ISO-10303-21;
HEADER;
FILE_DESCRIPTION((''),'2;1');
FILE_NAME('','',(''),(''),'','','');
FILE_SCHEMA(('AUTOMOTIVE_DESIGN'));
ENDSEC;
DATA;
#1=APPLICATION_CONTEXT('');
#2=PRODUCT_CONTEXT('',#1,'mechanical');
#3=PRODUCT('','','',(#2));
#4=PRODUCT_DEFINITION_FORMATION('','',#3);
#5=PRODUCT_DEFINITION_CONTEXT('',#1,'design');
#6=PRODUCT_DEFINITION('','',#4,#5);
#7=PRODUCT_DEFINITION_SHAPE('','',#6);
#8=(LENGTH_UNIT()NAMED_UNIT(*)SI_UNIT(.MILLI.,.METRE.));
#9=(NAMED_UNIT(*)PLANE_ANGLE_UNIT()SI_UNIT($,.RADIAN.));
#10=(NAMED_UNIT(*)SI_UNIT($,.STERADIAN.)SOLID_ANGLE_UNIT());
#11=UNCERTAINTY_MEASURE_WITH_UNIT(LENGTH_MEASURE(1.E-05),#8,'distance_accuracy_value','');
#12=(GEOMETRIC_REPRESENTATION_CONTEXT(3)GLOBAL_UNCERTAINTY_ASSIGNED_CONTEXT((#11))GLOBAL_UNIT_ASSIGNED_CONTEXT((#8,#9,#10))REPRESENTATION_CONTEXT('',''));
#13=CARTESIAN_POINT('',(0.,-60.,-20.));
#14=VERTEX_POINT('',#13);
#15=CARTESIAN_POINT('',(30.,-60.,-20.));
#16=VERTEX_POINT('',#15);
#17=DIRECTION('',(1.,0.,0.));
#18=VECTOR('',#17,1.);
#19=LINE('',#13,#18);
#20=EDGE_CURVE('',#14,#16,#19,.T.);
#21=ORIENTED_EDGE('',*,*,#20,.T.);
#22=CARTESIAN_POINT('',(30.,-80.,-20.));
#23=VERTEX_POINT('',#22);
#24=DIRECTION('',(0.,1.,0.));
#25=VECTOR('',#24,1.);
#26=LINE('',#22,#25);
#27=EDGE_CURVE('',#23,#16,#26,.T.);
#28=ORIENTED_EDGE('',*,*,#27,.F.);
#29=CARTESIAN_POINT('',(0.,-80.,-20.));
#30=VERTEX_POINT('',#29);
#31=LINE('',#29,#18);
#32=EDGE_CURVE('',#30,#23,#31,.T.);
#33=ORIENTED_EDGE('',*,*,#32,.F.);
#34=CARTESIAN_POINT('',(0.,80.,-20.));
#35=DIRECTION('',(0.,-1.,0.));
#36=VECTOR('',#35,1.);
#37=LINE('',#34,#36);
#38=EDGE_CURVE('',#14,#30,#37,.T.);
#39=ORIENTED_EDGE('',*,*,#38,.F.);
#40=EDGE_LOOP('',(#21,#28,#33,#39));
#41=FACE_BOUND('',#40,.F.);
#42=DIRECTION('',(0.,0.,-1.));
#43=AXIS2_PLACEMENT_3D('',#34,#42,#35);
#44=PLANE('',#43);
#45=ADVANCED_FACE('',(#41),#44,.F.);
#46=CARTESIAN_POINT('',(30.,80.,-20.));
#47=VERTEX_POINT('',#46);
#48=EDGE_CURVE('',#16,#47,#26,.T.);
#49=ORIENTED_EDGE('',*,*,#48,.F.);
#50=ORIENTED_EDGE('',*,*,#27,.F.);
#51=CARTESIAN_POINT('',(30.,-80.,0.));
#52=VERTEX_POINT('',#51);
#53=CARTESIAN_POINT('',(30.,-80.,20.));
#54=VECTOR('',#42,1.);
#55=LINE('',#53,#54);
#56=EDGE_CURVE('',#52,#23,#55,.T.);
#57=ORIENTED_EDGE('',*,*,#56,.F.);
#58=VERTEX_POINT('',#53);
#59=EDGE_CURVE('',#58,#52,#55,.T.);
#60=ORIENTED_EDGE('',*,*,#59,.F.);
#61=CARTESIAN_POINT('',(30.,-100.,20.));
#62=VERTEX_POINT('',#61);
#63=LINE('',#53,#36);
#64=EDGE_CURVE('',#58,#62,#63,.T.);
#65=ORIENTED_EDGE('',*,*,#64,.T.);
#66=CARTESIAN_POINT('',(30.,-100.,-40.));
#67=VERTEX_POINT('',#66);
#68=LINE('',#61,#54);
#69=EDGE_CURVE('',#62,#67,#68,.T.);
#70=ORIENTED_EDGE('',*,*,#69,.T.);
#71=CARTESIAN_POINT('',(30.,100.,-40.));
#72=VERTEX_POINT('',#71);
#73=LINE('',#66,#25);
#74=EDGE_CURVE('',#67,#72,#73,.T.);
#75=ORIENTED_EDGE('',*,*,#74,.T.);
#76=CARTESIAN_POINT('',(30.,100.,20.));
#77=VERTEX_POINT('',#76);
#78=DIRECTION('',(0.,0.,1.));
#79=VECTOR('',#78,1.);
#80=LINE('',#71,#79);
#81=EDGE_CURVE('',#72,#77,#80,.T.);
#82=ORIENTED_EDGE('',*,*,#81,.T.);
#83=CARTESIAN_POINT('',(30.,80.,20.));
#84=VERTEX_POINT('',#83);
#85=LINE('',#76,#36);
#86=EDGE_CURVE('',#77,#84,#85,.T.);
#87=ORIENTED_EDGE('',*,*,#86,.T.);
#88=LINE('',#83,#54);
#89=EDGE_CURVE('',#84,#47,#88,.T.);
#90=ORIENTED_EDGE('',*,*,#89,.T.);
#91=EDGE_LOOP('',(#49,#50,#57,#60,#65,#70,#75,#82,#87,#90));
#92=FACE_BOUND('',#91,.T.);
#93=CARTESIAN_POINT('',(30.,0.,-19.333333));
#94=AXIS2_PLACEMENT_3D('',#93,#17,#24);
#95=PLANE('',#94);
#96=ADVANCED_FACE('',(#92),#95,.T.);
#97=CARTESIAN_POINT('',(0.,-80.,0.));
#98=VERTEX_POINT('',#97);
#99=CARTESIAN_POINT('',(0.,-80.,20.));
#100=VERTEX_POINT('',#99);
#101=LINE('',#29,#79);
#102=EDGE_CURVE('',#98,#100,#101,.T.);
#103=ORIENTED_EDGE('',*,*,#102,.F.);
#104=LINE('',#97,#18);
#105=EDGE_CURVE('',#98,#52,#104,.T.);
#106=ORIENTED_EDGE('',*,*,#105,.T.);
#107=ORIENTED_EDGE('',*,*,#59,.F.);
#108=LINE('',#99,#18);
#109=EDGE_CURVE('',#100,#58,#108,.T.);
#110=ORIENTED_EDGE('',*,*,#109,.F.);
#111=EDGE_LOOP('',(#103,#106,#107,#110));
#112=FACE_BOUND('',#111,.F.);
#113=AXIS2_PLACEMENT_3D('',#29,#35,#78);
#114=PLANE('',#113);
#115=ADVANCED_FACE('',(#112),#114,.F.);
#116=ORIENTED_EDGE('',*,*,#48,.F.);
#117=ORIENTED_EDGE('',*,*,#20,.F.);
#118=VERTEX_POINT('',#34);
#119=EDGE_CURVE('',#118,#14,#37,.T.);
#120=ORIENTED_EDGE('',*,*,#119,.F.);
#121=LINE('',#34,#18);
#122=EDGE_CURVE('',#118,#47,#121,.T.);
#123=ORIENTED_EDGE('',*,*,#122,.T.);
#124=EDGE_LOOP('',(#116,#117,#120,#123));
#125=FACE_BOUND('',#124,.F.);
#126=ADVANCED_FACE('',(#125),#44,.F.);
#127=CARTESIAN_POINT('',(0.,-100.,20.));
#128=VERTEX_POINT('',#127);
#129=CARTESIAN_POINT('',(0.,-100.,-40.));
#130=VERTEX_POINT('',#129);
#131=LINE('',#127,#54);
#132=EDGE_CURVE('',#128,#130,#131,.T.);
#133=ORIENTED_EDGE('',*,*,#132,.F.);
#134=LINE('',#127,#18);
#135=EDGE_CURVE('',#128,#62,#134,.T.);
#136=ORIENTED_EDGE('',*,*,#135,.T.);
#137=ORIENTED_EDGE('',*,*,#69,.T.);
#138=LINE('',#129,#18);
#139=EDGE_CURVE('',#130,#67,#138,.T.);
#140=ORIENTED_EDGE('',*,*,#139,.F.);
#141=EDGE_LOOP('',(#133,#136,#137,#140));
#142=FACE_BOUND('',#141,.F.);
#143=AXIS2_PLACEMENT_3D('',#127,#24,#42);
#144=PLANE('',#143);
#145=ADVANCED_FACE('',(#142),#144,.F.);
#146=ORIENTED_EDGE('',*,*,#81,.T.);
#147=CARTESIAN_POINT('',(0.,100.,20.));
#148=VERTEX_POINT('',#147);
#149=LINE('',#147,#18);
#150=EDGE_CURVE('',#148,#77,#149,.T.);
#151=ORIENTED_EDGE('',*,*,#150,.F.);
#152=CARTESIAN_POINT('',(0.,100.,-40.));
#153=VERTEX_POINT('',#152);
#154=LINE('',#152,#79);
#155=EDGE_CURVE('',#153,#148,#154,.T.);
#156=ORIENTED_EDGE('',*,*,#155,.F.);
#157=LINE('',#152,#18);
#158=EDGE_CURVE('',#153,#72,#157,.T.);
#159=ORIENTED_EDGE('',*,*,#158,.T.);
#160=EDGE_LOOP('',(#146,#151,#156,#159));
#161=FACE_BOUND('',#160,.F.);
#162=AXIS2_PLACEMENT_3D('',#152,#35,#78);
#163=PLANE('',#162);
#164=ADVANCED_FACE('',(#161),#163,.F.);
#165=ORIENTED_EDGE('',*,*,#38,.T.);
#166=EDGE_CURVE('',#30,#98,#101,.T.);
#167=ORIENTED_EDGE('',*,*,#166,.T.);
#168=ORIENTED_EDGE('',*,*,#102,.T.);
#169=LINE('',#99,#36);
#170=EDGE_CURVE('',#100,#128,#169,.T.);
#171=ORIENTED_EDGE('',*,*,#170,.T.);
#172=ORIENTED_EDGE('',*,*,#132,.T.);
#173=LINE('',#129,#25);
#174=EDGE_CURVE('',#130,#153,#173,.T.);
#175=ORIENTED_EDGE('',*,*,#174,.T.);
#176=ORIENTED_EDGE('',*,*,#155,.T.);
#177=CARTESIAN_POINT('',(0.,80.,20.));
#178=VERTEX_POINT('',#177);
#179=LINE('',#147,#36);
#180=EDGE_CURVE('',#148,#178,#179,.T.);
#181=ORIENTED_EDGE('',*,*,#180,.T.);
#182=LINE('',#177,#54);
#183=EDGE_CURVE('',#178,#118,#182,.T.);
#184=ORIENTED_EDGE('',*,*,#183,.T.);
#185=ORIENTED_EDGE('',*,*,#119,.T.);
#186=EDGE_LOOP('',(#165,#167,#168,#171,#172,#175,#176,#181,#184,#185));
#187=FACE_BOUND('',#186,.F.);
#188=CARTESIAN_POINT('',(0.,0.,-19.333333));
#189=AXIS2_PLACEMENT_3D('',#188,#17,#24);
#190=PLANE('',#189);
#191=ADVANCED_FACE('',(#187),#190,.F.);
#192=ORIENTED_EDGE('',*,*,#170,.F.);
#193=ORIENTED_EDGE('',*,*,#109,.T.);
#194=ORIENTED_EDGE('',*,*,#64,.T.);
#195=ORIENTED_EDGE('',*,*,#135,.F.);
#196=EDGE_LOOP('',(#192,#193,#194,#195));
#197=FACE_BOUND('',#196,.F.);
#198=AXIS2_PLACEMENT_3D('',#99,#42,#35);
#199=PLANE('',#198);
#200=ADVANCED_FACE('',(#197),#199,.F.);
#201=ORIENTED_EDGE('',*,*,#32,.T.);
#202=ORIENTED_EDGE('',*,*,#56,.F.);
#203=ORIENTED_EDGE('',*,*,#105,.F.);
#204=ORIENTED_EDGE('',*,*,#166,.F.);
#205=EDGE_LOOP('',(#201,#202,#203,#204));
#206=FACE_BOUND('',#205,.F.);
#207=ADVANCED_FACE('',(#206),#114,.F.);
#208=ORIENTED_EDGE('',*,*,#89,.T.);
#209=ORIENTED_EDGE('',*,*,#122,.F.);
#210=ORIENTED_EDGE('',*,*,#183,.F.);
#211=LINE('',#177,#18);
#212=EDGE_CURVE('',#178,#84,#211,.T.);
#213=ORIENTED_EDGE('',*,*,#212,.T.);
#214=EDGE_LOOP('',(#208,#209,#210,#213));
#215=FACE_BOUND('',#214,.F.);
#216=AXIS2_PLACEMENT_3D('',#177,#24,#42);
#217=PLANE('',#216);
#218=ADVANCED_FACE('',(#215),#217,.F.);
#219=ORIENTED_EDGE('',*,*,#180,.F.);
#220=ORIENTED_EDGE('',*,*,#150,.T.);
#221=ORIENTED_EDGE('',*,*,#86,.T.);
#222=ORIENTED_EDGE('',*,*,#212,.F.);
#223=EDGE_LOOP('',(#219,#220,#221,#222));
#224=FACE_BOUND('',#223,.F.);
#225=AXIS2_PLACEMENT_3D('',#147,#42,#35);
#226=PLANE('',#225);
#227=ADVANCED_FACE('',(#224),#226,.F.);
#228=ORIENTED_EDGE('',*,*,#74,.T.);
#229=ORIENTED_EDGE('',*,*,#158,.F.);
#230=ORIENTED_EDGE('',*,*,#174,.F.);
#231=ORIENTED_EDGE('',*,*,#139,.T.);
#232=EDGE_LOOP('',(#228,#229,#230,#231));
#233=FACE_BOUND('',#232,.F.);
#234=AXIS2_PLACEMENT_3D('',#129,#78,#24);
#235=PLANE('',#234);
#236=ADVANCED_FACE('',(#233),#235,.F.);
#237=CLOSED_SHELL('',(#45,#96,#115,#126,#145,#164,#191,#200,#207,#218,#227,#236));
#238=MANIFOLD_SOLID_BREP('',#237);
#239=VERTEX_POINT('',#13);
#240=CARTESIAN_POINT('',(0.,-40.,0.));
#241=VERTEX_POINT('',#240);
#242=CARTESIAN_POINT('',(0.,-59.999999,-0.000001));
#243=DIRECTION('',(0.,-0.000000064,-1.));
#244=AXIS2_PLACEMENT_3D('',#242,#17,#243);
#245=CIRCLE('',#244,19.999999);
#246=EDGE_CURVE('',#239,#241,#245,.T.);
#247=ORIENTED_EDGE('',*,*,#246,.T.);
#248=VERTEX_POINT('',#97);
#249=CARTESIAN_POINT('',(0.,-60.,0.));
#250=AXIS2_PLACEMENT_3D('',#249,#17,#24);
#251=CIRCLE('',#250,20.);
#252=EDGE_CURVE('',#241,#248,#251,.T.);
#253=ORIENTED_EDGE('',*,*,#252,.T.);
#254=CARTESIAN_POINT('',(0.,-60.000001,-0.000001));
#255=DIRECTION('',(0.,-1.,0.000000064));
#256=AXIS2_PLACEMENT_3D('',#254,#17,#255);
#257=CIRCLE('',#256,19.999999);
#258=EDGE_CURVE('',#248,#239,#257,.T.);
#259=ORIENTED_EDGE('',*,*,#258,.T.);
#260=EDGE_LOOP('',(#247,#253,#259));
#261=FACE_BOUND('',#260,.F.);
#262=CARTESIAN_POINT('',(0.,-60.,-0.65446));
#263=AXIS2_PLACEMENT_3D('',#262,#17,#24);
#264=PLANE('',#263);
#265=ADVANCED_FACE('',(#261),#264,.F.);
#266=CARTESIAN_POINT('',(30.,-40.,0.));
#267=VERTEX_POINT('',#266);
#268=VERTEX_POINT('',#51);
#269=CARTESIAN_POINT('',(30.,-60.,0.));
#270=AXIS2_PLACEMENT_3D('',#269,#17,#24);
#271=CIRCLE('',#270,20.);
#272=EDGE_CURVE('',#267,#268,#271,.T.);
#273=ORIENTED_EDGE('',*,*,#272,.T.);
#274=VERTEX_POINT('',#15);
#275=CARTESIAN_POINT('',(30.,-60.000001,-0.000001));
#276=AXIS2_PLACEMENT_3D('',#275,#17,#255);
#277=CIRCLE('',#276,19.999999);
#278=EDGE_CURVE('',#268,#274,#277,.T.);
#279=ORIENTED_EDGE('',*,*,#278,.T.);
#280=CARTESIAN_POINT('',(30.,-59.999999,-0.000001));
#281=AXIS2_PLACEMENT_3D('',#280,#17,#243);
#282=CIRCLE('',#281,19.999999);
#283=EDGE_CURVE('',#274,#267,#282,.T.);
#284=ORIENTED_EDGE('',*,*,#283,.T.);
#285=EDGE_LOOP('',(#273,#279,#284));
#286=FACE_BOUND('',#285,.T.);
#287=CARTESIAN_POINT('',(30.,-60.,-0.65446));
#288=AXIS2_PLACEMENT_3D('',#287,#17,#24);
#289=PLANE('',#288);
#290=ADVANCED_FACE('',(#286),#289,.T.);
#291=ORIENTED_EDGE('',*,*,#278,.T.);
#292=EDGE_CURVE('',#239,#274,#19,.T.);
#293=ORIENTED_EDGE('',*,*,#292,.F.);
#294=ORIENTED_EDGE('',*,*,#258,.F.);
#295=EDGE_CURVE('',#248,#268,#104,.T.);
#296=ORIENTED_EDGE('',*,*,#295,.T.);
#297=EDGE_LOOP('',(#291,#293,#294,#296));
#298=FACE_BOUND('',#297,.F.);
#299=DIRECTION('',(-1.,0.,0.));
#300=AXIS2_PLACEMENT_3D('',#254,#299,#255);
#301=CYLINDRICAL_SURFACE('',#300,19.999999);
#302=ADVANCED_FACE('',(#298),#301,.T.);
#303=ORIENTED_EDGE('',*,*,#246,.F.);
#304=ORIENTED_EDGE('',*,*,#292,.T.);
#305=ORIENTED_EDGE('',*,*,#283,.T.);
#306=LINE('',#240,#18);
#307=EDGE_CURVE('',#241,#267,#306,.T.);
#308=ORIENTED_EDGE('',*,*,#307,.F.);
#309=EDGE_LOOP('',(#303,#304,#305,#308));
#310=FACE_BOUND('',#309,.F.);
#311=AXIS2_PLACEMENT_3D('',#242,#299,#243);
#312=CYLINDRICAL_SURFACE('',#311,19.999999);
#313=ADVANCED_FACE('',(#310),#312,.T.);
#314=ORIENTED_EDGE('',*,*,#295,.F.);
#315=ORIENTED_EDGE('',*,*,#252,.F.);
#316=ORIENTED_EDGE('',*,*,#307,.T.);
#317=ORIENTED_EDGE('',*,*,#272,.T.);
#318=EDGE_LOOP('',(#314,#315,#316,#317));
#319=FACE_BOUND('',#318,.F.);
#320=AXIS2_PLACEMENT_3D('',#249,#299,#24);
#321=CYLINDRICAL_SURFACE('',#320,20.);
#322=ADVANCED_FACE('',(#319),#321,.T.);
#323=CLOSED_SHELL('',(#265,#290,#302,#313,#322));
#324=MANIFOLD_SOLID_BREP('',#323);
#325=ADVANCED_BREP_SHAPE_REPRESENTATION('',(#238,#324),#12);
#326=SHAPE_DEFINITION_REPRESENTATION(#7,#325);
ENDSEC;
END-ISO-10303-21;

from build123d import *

# Parameters (mm, degrees)
F1_DEPTH = 30


with BuildPart() as f1:
    # F0 (on Right) → F1 (new body)
    with BuildSketch(Plane.YZ):
        Polygon((-80, 20), (-100, 20), (-100, -40), (100, -40), (100, 20), (80, 20), (80, -20), (-60, -20), (-80, -20), (-80, 0), align=None)
        with BuildLine():
            ThreePointArc((-40, 0), (-60, 20), (-80, 0))
            ThreePointArc((-80, 0), (-74.142136, -14.142136), (-60, -20))
            ThreePointArc((-60, -20), (-45.857864, -14.142136), (-40, 0))
        make_face()
    extrude(amount=F1_DEPTH)


solid = f1.part
